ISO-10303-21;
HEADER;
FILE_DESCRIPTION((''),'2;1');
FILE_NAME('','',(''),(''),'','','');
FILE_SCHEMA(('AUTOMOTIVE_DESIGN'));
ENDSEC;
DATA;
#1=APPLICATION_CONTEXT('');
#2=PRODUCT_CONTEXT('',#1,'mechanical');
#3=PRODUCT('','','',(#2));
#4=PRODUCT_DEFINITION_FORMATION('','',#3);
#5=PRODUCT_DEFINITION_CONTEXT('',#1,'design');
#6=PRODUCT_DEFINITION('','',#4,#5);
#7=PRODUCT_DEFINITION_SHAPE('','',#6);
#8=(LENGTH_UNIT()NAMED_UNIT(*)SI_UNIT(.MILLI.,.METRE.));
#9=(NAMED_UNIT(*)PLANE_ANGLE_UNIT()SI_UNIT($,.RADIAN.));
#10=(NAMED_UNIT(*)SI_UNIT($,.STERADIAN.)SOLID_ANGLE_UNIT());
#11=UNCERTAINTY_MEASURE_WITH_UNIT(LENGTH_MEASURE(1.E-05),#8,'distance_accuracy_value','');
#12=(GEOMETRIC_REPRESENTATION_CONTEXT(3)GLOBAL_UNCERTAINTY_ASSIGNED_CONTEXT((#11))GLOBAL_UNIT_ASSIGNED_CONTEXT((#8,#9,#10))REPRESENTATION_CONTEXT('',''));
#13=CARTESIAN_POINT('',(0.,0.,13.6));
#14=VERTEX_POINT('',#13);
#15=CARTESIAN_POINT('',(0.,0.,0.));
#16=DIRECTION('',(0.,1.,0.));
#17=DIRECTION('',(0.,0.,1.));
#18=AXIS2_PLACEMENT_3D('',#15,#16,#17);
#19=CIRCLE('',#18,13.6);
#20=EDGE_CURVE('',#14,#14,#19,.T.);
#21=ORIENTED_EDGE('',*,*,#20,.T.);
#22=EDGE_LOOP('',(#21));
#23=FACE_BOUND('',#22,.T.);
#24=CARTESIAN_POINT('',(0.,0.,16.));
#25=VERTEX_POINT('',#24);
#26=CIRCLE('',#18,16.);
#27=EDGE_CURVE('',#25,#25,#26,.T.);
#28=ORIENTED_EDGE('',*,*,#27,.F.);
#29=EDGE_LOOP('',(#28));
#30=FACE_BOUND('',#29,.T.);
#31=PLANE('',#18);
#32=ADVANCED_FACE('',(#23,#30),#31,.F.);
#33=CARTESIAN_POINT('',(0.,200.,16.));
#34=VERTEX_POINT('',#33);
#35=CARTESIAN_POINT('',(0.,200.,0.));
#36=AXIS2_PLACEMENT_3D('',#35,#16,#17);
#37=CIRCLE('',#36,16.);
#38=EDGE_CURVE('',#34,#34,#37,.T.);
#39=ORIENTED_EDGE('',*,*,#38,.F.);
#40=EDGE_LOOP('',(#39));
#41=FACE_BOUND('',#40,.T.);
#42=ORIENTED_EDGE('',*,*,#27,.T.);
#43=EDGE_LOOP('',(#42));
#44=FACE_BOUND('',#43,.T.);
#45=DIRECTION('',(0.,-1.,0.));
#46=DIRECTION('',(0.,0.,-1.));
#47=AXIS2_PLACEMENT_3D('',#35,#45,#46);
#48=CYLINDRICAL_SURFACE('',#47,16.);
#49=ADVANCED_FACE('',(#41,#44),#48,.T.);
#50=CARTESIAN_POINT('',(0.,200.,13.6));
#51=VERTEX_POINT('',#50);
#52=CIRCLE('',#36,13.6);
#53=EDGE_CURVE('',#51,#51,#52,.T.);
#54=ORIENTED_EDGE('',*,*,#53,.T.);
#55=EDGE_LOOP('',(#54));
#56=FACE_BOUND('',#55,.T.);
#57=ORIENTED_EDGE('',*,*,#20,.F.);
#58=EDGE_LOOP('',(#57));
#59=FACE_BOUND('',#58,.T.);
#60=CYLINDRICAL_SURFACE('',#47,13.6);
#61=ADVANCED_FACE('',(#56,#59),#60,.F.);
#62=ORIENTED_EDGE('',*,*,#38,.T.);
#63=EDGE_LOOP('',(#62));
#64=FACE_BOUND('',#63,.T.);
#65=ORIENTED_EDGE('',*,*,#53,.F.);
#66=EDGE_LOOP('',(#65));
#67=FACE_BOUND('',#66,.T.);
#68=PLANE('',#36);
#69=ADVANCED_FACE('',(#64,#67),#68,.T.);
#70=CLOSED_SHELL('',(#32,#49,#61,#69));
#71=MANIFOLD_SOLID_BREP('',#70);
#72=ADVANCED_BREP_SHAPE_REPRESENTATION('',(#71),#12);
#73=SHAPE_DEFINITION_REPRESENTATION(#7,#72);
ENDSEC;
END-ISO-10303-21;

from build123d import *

# Parameters (mm, degrees)
SKETCH_1_R      = 16
SKETCH_1_R_2    = 13.6
EXTRUDE_1_DEPTH = 200


with BuildPart() as part:
    # 草图1 → 凸台-拉伸1 (new body)
    with BuildSketch(Plane(origin=(0, 0, 0), x_dir=(1, 0, 0), z_dir=(0, 1, 0))):
        with Locations(Location((0, 0, 0), (0, 0, 270))):
            Circle(SKETCH_1_R)
        with Locations(Location((0, 0, 0), (0, 0, 270))):
            Circle(SKETCH_1_R_2, mode=Mode.SUBTRACT)
    extrude(amount=EXTRUDE_1_DEPTH)


solid = part.part
